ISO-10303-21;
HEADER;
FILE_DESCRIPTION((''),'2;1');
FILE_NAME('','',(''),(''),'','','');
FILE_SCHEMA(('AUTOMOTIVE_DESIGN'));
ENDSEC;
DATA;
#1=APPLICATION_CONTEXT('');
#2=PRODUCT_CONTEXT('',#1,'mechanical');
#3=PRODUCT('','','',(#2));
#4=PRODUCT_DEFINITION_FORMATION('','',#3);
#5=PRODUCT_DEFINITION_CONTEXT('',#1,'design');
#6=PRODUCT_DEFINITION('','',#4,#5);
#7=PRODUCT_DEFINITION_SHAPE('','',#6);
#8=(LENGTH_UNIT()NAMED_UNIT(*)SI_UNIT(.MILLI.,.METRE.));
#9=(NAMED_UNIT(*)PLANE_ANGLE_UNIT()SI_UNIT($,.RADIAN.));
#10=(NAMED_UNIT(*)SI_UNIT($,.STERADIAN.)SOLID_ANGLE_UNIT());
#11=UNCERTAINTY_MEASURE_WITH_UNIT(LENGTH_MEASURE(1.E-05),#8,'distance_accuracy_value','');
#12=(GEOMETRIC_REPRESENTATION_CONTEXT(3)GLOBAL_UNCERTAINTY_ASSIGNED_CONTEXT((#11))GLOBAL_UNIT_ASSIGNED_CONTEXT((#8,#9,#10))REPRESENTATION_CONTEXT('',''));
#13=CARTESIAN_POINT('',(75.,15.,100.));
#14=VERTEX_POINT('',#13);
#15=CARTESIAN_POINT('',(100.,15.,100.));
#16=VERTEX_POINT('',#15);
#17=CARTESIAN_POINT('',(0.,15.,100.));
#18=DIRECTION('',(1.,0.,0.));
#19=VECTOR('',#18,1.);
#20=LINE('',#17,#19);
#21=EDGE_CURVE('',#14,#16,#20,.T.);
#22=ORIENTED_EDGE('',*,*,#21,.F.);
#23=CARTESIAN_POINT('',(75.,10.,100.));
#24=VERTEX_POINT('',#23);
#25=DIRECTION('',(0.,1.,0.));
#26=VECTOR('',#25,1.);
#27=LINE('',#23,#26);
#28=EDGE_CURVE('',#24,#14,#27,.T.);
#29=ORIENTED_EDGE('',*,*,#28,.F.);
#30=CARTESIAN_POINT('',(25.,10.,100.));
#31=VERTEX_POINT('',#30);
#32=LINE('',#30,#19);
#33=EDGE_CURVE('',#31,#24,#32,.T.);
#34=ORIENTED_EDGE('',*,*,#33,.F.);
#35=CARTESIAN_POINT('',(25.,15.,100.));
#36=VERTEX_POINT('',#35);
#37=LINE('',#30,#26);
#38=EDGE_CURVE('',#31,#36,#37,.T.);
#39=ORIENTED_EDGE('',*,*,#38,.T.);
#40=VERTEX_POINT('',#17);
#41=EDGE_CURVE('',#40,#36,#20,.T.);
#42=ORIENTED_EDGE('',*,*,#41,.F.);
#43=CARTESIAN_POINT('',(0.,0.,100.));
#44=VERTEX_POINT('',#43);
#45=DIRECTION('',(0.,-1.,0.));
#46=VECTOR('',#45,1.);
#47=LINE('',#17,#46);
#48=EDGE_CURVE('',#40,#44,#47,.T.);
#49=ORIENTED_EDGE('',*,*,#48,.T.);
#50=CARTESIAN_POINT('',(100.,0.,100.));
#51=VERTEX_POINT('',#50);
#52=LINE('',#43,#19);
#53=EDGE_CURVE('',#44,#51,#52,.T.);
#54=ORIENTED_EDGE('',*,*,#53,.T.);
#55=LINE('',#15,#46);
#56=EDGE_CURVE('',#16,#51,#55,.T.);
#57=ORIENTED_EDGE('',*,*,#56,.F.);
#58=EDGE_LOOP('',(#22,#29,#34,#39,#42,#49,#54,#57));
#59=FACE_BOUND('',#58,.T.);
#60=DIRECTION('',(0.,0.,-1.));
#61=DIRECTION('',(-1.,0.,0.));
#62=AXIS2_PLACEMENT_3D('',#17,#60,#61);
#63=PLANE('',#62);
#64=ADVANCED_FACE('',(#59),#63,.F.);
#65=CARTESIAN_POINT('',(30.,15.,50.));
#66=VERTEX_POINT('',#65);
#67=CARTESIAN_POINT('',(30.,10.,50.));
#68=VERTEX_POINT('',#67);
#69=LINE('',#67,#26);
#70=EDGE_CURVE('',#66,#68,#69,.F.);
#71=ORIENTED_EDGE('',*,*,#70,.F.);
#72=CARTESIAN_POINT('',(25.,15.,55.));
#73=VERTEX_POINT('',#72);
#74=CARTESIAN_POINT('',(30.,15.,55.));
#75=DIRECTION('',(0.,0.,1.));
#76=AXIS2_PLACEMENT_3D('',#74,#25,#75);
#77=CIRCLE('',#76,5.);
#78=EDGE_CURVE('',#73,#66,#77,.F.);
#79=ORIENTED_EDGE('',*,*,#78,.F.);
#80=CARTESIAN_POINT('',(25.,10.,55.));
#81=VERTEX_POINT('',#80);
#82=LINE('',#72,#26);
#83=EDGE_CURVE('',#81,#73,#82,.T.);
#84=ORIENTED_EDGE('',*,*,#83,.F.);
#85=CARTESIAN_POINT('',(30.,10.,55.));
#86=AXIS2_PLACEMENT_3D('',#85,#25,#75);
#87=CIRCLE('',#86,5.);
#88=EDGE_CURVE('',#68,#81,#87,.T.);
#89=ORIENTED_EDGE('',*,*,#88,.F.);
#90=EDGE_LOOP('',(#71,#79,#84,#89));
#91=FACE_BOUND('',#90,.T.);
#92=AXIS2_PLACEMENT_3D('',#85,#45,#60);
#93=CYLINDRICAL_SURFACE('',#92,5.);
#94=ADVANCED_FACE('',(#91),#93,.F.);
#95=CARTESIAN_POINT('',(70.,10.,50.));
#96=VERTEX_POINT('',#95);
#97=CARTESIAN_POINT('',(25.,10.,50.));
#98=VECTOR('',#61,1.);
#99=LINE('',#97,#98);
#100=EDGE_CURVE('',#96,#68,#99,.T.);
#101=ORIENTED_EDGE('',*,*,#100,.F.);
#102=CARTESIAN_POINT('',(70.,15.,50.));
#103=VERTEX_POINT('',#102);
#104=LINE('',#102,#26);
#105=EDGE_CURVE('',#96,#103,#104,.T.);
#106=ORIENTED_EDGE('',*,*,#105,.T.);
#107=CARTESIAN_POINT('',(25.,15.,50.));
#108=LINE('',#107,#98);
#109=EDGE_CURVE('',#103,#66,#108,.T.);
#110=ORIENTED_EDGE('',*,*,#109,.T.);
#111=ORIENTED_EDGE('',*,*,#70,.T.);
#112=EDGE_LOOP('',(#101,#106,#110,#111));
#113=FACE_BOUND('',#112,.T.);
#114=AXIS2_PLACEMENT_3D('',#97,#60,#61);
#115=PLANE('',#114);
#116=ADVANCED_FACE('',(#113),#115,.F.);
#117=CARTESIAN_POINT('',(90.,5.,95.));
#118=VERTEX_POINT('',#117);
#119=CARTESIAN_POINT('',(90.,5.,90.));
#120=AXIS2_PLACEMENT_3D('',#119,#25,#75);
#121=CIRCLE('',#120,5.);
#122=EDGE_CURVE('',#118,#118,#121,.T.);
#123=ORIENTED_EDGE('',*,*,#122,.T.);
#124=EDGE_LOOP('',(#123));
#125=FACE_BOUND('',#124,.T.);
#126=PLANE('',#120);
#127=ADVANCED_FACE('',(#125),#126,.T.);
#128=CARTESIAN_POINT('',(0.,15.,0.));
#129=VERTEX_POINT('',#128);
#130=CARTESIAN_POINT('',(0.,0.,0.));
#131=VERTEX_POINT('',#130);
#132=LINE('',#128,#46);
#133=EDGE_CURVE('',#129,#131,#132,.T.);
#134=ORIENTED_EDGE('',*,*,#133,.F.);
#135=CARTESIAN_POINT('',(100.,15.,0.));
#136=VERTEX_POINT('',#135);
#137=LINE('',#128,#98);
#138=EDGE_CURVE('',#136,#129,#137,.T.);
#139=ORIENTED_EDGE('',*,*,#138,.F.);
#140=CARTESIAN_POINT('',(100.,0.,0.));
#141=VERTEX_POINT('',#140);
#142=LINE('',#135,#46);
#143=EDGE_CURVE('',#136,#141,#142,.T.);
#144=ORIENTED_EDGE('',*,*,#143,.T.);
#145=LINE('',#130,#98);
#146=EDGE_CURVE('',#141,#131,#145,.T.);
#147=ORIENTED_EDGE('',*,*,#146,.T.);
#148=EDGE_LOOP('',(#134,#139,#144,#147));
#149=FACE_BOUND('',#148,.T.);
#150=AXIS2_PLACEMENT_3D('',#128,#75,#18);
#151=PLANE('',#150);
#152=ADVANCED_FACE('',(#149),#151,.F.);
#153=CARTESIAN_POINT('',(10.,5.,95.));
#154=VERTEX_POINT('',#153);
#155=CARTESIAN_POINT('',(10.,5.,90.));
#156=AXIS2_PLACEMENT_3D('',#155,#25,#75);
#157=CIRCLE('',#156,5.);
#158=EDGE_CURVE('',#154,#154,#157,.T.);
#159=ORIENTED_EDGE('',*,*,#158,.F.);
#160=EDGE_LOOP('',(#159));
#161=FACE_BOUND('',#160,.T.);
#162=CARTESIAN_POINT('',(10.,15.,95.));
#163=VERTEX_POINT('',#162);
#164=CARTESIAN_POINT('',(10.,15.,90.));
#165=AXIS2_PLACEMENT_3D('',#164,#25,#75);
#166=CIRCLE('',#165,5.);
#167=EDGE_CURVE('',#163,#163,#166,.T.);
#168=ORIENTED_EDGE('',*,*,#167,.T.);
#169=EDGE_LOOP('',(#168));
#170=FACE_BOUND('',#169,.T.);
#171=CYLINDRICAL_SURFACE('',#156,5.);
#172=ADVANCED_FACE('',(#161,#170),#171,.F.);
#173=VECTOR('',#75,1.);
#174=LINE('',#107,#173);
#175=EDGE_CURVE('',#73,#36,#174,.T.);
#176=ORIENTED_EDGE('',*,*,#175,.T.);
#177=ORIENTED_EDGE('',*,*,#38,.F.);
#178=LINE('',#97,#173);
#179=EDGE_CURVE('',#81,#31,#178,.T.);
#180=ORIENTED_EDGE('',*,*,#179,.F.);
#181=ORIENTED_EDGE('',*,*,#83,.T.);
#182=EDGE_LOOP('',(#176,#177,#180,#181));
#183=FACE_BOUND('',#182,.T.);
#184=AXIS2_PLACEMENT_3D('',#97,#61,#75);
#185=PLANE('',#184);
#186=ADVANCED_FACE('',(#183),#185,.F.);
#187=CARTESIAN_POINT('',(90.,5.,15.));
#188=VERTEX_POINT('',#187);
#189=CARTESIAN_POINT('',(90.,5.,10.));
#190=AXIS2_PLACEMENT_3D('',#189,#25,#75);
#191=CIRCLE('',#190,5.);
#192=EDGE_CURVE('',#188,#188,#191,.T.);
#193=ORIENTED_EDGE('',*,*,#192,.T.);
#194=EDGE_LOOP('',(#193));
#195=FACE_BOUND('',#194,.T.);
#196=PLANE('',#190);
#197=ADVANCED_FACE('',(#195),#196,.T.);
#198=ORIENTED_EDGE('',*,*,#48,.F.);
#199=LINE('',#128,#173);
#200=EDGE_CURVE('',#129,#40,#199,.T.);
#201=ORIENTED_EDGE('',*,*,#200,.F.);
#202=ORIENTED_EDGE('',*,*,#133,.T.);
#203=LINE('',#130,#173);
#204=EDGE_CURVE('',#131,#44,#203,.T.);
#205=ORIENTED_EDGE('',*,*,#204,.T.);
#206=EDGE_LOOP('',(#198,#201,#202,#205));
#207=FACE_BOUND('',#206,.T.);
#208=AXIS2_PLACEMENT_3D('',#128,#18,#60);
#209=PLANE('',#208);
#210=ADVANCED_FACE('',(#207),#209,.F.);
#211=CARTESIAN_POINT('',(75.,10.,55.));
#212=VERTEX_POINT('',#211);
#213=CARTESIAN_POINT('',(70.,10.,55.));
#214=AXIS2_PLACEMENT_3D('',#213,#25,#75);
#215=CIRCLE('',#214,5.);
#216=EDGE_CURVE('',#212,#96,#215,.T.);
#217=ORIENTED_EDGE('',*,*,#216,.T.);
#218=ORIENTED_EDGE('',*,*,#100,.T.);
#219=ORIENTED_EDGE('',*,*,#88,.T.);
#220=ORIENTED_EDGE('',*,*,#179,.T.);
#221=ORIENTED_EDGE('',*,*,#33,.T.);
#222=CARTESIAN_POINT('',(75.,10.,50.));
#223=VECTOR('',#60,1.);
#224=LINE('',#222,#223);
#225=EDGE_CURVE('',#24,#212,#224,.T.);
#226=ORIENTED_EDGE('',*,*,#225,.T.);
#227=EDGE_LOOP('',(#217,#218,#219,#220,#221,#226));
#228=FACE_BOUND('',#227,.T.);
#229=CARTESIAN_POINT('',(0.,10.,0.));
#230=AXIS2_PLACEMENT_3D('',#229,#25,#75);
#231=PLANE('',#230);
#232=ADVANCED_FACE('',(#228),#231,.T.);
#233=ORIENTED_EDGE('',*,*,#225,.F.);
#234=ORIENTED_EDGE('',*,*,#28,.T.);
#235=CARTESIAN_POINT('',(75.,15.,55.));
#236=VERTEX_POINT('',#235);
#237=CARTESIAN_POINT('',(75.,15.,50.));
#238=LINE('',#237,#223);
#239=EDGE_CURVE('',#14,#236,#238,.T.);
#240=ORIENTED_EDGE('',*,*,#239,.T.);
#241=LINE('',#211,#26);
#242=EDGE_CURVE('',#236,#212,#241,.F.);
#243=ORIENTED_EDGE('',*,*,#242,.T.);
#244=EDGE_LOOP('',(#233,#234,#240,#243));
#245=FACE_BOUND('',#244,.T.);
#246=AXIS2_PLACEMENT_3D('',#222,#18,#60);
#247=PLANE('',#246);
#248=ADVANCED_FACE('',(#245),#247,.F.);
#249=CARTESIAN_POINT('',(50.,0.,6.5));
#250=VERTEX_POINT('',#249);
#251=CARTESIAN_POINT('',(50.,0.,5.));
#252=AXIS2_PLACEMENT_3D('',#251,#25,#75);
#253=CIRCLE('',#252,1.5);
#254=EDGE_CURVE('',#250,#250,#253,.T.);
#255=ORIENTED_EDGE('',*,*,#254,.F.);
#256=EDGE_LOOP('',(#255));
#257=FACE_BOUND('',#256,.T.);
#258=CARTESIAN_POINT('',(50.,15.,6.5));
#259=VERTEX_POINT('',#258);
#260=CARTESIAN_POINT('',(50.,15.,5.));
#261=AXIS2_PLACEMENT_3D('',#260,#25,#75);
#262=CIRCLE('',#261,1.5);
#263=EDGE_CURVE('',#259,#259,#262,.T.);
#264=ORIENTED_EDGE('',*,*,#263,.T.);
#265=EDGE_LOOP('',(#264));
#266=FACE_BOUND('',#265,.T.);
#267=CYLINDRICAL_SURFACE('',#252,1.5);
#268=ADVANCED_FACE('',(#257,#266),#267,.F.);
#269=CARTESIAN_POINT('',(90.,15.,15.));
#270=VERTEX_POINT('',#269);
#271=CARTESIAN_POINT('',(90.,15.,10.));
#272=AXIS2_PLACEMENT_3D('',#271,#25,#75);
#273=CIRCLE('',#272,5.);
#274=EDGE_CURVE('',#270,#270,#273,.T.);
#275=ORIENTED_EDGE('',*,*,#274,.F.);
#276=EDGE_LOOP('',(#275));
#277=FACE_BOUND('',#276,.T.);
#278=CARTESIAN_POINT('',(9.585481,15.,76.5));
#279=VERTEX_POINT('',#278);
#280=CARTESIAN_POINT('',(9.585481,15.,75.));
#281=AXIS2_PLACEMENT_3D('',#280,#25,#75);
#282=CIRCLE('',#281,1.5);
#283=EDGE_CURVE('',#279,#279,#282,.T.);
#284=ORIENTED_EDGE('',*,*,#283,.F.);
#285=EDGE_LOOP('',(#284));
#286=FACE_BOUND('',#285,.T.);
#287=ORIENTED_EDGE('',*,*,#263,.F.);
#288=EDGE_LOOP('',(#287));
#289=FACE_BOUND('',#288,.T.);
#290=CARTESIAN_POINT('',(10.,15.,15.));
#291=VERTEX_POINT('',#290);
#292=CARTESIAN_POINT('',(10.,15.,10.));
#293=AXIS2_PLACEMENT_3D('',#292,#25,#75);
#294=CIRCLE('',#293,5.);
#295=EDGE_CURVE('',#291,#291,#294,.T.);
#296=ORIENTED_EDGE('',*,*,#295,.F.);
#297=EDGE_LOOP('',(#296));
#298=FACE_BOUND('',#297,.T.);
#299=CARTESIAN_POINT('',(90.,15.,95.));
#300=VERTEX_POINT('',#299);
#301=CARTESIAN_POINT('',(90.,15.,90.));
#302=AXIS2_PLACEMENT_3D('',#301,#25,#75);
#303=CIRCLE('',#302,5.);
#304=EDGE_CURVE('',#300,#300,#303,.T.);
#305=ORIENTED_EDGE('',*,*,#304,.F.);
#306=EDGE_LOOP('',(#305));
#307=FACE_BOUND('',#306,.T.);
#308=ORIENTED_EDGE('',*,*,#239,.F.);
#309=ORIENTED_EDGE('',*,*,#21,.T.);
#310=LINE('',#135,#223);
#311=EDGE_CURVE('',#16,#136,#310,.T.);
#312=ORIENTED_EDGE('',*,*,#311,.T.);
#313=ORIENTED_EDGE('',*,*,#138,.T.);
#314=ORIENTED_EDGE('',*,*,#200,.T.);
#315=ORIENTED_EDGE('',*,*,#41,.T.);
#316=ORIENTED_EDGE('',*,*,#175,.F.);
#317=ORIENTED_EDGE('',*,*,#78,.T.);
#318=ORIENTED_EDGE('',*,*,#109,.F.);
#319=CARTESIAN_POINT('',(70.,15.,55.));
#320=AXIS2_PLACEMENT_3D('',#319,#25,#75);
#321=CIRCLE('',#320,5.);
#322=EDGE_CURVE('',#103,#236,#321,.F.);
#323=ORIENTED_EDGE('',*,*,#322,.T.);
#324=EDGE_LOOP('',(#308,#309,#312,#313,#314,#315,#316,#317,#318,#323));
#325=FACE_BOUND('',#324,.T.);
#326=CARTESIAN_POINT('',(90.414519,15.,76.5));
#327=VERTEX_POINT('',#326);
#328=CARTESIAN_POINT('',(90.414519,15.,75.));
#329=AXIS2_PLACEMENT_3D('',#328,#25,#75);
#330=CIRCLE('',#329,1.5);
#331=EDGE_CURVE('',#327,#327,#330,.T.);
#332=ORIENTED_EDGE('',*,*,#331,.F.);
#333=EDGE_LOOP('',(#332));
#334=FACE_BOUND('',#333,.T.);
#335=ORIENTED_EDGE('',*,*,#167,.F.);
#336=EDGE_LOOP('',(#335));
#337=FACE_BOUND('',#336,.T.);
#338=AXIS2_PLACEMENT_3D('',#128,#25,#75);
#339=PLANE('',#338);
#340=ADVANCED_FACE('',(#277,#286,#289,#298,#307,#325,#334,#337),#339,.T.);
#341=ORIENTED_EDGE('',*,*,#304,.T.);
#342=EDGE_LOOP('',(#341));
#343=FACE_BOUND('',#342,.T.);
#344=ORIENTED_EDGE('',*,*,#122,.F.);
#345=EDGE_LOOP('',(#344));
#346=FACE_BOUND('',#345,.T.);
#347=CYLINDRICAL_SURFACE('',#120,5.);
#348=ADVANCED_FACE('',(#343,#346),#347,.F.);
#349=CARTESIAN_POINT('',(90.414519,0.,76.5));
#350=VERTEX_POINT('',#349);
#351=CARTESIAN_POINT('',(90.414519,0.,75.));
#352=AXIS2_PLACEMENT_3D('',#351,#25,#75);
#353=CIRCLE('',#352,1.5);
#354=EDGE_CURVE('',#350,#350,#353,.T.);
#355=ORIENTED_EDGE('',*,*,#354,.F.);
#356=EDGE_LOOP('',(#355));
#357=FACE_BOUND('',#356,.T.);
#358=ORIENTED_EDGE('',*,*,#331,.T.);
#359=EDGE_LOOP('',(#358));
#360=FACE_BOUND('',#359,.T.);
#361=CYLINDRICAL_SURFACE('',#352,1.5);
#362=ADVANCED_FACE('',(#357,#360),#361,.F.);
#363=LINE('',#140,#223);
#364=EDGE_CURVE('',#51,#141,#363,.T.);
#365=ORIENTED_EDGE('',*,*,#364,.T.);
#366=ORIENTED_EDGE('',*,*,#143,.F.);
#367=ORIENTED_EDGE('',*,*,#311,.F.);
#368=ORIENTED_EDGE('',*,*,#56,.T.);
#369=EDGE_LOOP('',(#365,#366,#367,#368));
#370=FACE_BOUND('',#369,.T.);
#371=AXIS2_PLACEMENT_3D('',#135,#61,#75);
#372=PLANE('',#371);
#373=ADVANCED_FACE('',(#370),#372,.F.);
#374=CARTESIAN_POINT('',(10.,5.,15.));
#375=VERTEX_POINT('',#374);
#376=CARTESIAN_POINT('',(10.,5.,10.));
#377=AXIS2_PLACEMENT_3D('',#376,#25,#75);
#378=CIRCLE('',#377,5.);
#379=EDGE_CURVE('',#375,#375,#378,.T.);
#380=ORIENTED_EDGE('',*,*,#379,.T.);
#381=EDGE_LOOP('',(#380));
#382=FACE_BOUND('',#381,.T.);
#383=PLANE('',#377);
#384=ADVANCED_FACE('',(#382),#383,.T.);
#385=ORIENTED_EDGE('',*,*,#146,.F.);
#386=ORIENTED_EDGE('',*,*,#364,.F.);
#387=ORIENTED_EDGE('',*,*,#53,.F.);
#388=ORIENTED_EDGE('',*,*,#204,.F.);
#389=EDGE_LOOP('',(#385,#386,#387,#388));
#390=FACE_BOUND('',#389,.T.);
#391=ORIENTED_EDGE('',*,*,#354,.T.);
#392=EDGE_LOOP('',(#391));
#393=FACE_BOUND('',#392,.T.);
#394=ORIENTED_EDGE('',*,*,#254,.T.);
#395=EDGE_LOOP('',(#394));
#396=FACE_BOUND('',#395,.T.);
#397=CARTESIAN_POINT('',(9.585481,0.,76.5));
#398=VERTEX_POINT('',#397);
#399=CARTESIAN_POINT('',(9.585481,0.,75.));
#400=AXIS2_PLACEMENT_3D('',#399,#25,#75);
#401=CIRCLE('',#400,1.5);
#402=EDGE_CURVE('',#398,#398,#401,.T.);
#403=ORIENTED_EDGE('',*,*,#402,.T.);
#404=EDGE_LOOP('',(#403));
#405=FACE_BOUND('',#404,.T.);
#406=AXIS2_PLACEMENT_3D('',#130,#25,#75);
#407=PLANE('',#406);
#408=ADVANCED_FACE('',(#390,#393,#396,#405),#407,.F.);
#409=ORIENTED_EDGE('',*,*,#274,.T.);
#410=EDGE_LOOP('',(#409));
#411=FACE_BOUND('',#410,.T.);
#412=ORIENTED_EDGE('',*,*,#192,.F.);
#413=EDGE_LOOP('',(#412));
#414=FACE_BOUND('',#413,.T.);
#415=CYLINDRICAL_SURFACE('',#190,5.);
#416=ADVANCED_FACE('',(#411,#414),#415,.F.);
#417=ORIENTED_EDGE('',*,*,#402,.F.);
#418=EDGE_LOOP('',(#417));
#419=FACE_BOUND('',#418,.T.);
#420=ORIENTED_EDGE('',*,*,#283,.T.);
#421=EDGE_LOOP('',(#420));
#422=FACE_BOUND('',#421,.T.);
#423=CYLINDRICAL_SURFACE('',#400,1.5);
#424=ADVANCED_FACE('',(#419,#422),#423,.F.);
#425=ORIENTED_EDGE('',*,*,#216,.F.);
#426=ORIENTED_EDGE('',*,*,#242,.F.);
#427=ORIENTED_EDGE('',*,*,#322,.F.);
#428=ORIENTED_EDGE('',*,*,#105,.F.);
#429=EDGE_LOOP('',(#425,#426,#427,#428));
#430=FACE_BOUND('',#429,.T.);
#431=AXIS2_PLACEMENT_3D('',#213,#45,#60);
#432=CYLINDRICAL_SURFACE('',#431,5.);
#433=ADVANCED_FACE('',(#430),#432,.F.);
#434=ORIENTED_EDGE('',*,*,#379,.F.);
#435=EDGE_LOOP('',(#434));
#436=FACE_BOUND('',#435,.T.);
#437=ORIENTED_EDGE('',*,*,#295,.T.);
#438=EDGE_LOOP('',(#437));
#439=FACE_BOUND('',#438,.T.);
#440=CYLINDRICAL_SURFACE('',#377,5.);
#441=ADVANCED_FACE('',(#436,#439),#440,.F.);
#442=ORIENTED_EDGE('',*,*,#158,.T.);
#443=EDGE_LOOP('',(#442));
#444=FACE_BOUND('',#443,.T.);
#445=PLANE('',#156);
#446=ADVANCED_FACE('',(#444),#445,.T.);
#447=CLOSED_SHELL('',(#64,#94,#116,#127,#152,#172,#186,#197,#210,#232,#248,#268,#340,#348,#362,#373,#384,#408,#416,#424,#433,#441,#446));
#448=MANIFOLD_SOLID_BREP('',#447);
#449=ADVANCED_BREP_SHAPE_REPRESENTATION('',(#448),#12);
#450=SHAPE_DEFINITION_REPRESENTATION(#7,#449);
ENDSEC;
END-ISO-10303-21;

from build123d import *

# Parameters (mm, degrees)
SKETCH_1_W          = 100
SKETCH_1_H          = 100
EXTRUDE_1_DEPTH     = 15
SKETCH_2_R          = 1.5
CUT_EXTRUDE_1_DEPTH = 143.214626533
SKETCH_3_W          = 50
SKETCH_3_H          = 50
CUT_EXTRUDE_2_DEPTH = 5
SKETCH_4_R          = 5
CUT_EXTRUDE_3_DEPTH = 10
FILLET_1_R          = 5


with BuildPart() as part:
    # 草图1 → 凸台-拉伸1 (new body)
    with BuildSketch(Plane(origin=(0, 0, 0), x_dir=(1, 0, 0), z_dir=(0, 1, 0))):
        with Locations((50, -50)):
            Rectangle(SKETCH_1_W, SKETCH_1_H)
    extrude(amount=EXTRUDE_1_DEPTH)

    # 草图2 → 切除-拉伸1 (cut, through all)
    with BuildSketch(Plane(origin=(0, 15, 0), x_dir=(1, 0, 0), z_dir=(0, 1, 0))):
        with Locations(Location((50, -5, 0), (0, 0, 270))):
            Circle(SKETCH_2_R)
        with Locations(Location((9.585481157, -75, 0), (0, 0, 270))):
            Circle(SKETCH_2_R)
        with Locations(Location((90.414518843, -75, 0), (0, 0, 270))):
            Circle(SKETCH_2_R)
    extrude(amount=-CUT_EXTRUDE_1_DEPTH, mode=Mode.SUBTRACT)

    # 草图3 → 切除-拉伸2 (cut)
    with BuildSketch(Plane(origin=(0, 15, 0), x_dir=(1, 0, 0), z_dir=(0, 1, 0))):
        with Locations((50, -75)):
            Rectangle(SKETCH_3_W, SKETCH_3_H)
    extrude(amount=-CUT_EXTRUDE_2_DEPTH, mode=Mode.SUBTRACT)

    # 草图4 → 切除-拉伸3 (cut)
    with BuildSketch(Plane(origin=(0, 15, 0), x_dir=(1, 0, 0), z_dir=(0, 1, 0))):
        with Locations(Location((10, -10, 0), (0, 0, 270))):
            Circle(SKETCH_4_R)
        with Locations(Location((90, -10, 0), (0, 0, 270))):
            Circle(SKETCH_4_R)
        with Locations(Location((10, -90, 0), (0, 0, 270))):
            Circle(SKETCH_4_R)
        with Locations(Location((90, -90, 0), (0, 0, 270))):
            Circle(SKETCH_4_R)
    extrude(amount=-CUT_EXTRUDE_3_DEPTH, mode=Mode.SUBTRACT)

    # 圆角1
    fillet_1_edges = [part.edges().sort_by_distance(p)[0] for p in [
        (25, 12.5, 50),
        (75, 12.5, 50),
    ]]
    fillet(fillet_1_edges, radius=FILLET_1_R)


solid = part.part
